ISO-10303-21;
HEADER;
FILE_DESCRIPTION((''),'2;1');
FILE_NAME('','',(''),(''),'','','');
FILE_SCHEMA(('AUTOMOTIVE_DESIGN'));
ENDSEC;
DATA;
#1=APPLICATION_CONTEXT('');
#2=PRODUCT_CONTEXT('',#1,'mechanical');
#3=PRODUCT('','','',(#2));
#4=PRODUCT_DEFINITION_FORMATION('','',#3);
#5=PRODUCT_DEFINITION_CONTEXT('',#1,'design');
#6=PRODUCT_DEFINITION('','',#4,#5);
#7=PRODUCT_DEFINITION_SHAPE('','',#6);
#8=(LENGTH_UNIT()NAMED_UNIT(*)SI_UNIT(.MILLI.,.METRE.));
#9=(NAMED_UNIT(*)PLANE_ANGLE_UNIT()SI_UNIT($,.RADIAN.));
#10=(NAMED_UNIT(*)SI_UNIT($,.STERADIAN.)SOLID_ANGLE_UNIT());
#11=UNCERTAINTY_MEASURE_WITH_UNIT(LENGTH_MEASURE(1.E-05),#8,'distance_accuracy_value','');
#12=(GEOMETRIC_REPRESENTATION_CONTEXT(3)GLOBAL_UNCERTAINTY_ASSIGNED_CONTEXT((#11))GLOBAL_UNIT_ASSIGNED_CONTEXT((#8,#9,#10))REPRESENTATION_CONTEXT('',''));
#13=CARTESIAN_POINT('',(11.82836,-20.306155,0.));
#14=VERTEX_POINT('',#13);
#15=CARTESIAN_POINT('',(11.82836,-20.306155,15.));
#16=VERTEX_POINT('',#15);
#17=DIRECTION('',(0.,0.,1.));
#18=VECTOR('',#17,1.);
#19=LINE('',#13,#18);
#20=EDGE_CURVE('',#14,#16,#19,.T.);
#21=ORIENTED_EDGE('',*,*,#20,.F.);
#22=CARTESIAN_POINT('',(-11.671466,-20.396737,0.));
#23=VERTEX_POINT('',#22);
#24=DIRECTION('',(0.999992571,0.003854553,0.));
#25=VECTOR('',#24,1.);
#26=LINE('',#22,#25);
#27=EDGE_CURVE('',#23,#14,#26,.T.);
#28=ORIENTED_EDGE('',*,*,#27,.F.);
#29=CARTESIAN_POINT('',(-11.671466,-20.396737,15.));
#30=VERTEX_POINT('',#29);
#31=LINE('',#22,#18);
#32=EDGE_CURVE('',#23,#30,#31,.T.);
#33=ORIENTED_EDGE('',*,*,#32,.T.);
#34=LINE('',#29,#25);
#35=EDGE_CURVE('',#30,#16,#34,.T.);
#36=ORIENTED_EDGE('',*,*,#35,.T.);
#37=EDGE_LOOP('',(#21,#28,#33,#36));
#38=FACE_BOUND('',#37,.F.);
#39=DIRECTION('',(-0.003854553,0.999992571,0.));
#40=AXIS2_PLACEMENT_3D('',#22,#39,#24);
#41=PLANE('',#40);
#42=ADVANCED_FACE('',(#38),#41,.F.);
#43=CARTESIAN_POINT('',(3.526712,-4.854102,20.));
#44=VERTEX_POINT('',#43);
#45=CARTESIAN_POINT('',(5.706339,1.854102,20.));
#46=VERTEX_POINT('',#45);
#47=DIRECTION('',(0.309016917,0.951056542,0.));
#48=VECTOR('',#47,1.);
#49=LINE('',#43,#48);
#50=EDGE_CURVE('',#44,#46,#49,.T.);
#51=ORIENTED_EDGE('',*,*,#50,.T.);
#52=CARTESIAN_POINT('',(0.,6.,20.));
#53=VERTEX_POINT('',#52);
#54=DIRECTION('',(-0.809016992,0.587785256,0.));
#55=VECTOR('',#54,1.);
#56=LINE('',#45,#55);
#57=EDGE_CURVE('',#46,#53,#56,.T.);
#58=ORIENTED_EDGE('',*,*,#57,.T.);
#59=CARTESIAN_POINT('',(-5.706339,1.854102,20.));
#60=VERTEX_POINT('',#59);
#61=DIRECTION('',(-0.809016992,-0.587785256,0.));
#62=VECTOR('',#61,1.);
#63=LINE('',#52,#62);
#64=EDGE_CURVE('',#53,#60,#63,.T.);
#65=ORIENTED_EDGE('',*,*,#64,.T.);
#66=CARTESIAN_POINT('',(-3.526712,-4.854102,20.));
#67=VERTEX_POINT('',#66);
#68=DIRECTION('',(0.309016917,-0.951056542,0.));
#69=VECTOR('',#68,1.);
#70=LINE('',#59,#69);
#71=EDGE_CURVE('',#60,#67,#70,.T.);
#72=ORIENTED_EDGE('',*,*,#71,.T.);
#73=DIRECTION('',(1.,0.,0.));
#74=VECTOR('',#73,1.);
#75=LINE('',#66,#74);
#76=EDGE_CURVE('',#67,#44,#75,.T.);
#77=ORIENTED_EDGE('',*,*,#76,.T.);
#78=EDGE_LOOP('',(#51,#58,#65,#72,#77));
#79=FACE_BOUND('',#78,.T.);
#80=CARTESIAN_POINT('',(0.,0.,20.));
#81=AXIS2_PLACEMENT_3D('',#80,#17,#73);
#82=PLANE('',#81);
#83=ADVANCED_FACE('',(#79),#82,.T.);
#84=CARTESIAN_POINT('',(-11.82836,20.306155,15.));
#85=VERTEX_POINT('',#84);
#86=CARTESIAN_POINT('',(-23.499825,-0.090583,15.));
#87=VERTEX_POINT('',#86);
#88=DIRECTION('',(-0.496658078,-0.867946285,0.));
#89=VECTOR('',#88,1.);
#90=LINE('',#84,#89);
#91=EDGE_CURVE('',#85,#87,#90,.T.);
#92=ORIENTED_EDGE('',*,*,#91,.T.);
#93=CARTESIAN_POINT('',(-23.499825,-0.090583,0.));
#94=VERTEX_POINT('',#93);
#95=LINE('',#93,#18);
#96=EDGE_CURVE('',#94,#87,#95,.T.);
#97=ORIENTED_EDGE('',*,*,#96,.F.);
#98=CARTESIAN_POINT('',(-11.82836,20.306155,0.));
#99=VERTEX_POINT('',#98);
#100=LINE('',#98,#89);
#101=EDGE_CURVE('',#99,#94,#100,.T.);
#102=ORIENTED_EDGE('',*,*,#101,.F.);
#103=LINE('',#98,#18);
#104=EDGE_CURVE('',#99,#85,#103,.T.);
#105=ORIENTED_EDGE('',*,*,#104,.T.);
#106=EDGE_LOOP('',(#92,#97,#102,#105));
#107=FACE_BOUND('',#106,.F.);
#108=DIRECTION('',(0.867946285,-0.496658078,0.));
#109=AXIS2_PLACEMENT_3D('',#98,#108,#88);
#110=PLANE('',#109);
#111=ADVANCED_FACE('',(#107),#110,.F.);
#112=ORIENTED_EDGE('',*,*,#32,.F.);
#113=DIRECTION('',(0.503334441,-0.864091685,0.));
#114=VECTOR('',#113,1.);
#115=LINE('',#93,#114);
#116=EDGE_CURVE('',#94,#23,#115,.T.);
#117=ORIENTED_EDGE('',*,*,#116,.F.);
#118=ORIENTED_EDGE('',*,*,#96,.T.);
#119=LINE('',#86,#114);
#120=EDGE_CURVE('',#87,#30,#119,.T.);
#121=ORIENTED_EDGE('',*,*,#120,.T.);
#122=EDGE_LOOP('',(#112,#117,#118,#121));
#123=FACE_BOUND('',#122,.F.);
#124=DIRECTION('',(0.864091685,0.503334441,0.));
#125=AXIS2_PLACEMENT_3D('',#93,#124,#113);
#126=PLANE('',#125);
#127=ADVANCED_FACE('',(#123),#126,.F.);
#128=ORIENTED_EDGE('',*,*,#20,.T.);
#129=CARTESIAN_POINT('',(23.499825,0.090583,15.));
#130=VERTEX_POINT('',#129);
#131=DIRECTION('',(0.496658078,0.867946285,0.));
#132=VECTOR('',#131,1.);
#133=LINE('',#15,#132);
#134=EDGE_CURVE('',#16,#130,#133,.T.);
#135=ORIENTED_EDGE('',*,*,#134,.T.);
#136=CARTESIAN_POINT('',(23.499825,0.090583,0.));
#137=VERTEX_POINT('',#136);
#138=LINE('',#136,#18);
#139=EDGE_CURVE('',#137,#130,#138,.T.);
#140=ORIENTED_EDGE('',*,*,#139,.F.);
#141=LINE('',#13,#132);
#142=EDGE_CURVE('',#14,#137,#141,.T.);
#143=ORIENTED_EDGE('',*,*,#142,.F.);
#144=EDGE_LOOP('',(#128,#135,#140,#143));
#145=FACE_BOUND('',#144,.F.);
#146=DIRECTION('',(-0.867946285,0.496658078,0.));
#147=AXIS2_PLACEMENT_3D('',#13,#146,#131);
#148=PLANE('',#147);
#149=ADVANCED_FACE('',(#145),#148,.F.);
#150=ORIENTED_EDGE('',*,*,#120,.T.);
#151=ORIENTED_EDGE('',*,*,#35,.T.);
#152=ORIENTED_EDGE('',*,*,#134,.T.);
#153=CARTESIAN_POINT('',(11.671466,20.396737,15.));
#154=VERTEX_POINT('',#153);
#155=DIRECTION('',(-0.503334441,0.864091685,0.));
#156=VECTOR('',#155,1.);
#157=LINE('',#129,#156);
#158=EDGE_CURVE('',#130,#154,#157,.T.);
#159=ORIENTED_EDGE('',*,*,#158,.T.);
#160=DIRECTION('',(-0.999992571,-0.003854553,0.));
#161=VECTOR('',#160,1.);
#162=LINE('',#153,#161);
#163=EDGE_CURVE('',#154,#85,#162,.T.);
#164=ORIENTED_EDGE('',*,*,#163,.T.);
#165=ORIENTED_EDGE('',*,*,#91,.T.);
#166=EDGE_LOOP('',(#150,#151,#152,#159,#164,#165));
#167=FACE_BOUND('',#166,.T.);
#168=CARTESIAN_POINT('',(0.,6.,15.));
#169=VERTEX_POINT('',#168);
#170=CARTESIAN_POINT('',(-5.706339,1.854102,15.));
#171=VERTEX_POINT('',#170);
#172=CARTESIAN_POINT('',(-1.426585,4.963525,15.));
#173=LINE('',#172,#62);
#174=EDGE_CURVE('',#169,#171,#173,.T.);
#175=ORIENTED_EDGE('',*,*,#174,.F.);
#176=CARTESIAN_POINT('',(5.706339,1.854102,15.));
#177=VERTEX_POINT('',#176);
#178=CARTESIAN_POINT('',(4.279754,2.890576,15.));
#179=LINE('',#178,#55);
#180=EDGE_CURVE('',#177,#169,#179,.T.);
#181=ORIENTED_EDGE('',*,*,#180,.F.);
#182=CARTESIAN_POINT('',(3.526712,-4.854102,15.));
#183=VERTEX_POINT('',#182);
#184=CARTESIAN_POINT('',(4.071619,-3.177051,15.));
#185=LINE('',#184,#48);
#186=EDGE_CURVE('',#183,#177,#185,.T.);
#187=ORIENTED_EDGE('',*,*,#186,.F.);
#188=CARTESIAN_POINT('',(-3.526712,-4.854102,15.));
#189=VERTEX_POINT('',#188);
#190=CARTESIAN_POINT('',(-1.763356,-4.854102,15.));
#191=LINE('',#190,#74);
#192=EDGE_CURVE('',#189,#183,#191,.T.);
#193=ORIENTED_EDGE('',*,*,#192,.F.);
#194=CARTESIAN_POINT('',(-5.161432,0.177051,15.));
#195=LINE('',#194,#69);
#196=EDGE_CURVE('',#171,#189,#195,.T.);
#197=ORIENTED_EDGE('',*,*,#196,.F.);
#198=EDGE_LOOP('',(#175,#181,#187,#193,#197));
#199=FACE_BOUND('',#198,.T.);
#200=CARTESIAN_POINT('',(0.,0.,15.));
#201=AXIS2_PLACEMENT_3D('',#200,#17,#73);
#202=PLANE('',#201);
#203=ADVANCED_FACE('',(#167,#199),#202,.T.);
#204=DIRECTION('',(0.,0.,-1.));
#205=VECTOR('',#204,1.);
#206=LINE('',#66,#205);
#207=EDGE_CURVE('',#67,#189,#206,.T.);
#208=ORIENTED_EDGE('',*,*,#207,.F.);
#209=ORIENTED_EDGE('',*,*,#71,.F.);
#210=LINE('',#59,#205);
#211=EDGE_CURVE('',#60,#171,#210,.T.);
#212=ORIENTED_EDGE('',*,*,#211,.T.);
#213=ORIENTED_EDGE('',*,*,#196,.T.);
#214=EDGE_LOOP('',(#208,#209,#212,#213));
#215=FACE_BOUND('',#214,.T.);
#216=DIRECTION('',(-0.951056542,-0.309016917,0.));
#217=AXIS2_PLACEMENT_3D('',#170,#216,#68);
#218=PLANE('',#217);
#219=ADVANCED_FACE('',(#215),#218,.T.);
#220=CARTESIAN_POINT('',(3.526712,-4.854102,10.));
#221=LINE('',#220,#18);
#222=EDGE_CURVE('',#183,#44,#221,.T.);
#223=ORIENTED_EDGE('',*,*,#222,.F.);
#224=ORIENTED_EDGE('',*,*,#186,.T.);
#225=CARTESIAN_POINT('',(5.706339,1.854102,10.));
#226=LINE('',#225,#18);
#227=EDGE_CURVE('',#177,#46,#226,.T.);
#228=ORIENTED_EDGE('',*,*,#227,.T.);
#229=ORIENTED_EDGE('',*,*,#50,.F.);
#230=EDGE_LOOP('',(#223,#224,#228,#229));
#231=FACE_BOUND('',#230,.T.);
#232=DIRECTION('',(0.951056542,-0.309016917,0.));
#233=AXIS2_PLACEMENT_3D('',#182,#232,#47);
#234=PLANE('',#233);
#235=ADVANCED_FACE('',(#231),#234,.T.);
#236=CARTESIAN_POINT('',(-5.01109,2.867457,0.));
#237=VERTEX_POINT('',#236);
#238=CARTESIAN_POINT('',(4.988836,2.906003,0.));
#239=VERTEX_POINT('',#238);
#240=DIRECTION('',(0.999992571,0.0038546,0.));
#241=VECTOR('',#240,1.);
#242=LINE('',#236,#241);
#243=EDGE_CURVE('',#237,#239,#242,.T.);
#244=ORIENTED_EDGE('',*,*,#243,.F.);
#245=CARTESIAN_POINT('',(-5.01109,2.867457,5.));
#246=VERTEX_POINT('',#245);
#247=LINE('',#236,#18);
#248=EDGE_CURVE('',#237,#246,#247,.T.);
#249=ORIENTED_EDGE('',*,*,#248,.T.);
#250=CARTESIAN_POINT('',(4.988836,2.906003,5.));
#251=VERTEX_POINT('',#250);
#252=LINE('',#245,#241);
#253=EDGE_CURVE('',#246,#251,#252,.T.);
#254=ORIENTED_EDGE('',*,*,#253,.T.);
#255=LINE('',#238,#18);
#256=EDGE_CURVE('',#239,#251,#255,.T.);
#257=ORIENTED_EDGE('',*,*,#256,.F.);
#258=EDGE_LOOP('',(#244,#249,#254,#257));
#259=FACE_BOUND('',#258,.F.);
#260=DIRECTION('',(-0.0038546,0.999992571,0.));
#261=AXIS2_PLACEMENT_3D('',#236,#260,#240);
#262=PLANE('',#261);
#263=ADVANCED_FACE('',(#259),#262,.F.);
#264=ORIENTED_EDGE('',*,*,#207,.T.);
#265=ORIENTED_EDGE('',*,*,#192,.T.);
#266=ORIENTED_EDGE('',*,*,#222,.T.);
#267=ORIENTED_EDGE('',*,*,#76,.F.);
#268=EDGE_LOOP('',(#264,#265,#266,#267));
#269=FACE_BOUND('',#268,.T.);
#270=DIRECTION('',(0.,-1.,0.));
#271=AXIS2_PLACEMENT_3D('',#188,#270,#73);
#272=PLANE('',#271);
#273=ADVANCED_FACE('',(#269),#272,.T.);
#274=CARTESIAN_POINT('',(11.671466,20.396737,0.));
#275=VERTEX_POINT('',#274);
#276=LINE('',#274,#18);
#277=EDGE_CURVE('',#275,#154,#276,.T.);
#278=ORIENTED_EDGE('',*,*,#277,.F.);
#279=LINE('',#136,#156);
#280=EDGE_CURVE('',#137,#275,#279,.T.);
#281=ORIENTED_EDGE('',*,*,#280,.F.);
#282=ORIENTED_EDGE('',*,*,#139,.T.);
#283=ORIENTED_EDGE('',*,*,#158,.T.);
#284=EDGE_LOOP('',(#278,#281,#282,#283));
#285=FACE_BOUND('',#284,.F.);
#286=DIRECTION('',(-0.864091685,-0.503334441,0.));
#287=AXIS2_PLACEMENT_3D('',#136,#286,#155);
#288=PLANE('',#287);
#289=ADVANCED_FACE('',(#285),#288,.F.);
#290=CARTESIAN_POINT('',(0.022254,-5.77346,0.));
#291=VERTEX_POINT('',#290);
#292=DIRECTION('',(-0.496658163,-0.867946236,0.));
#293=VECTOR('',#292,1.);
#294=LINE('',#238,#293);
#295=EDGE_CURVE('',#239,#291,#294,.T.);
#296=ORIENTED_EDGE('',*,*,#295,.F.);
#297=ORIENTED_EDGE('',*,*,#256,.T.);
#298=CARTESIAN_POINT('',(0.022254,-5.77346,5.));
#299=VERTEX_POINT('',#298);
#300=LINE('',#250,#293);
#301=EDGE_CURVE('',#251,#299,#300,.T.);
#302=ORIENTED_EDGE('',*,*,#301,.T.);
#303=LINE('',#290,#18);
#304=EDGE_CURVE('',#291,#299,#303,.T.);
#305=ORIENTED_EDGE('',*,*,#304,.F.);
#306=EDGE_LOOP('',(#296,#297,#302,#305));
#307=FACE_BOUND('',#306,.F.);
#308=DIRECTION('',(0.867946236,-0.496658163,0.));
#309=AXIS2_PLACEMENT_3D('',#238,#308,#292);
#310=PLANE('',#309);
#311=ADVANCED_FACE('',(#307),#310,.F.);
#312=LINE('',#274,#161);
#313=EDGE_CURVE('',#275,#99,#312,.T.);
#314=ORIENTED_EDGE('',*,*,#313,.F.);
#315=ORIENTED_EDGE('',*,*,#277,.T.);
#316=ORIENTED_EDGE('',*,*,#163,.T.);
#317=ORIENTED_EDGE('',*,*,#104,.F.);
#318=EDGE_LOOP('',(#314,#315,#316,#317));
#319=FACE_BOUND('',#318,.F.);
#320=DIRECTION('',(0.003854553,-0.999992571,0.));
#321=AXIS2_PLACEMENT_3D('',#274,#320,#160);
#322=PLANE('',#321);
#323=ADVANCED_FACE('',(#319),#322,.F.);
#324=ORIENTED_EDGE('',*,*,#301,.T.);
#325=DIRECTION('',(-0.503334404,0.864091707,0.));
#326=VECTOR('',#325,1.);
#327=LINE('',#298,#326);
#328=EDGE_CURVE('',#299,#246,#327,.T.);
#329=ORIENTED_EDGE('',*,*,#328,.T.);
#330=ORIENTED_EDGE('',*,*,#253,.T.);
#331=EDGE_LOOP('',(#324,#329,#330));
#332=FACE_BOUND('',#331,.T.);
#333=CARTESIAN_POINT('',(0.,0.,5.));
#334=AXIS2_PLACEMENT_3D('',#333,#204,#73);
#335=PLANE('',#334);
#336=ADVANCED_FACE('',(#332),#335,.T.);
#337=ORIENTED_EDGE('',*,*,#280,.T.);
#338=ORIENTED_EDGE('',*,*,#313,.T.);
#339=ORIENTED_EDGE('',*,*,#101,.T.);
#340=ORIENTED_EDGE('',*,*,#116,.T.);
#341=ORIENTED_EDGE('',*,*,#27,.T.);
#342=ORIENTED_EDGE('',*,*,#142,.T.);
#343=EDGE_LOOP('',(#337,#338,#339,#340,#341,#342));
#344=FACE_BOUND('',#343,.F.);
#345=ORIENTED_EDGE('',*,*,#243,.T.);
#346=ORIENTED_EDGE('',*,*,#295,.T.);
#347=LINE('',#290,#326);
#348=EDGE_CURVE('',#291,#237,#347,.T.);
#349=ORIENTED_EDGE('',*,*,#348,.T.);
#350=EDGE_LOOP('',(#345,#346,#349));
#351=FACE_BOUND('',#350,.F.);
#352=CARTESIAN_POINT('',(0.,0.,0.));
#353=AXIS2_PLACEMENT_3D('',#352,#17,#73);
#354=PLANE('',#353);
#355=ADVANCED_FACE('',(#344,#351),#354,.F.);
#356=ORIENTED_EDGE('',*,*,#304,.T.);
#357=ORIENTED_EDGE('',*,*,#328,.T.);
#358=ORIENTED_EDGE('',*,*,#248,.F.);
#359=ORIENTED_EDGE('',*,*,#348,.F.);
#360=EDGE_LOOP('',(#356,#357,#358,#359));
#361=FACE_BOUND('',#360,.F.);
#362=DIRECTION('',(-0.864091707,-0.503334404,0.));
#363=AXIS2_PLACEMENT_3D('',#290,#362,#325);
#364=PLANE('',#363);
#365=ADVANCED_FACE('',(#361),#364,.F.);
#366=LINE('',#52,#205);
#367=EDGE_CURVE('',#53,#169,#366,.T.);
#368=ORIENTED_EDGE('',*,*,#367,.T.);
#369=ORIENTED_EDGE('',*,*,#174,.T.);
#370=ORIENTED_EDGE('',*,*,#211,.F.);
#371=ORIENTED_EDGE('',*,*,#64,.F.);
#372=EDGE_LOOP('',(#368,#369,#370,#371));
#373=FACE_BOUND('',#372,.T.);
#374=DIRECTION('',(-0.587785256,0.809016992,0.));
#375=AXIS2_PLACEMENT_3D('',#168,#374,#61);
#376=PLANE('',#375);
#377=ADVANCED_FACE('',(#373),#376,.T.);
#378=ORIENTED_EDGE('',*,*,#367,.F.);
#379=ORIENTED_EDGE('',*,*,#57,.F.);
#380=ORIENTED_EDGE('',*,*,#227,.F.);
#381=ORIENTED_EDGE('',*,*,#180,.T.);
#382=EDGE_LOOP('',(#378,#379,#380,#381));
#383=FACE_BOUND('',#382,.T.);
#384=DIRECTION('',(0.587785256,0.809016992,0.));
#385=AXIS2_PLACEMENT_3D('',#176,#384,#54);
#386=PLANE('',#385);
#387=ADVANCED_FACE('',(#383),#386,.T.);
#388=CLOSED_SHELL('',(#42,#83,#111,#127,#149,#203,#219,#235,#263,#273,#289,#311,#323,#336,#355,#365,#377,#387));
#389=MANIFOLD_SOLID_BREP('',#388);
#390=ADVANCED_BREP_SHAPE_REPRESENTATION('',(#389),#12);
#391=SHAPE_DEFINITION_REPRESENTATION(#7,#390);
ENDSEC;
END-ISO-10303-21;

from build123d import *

# Parameters (mm, degrees)
F1_DEPTH = 15
F3_DEPTH = 5
F5_DEPTH = 5


with BuildPart() as f1:
    # F0 (on Top) → F1 (new body)
    with BuildSketch(Plane.XY):
        Polygon((-11.82836, 20.306155), (-23.499825, -0.090583), (-11.671466, -20.396737), (11.82836, -20.306155), (23.499825, 0.090583), (11.671466, 20.396737), align=None)
    extrude(amount=F1_DEPTH)

    # F2 (on face) → F3 (join, symmetric)
    with BuildSketch(Plane.XY.offset(15)):
        Polygon((-3.526712, -4.854102), (3.526712, -4.854102), (5.706339, 1.854102), (0, 6), (-5.706339, 1.854102), align=None)
    extrude(amount=F3_DEPTH, both=True)

    # F4 (on face) → F5 (cut)
    with BuildSketch(Plane(origin=(0, 0, 0), x_dir=(1, 0, 0), z_dir=(0, 0, -1))):
        Polygon((-5.01109, -2.867457), (4.988836, -2.906003), (0.022254, 5.77346), align=None)
    extrude(amount=-F5_DEPTH, mode=Mode.SUBTRACT)


solid = f1.part
